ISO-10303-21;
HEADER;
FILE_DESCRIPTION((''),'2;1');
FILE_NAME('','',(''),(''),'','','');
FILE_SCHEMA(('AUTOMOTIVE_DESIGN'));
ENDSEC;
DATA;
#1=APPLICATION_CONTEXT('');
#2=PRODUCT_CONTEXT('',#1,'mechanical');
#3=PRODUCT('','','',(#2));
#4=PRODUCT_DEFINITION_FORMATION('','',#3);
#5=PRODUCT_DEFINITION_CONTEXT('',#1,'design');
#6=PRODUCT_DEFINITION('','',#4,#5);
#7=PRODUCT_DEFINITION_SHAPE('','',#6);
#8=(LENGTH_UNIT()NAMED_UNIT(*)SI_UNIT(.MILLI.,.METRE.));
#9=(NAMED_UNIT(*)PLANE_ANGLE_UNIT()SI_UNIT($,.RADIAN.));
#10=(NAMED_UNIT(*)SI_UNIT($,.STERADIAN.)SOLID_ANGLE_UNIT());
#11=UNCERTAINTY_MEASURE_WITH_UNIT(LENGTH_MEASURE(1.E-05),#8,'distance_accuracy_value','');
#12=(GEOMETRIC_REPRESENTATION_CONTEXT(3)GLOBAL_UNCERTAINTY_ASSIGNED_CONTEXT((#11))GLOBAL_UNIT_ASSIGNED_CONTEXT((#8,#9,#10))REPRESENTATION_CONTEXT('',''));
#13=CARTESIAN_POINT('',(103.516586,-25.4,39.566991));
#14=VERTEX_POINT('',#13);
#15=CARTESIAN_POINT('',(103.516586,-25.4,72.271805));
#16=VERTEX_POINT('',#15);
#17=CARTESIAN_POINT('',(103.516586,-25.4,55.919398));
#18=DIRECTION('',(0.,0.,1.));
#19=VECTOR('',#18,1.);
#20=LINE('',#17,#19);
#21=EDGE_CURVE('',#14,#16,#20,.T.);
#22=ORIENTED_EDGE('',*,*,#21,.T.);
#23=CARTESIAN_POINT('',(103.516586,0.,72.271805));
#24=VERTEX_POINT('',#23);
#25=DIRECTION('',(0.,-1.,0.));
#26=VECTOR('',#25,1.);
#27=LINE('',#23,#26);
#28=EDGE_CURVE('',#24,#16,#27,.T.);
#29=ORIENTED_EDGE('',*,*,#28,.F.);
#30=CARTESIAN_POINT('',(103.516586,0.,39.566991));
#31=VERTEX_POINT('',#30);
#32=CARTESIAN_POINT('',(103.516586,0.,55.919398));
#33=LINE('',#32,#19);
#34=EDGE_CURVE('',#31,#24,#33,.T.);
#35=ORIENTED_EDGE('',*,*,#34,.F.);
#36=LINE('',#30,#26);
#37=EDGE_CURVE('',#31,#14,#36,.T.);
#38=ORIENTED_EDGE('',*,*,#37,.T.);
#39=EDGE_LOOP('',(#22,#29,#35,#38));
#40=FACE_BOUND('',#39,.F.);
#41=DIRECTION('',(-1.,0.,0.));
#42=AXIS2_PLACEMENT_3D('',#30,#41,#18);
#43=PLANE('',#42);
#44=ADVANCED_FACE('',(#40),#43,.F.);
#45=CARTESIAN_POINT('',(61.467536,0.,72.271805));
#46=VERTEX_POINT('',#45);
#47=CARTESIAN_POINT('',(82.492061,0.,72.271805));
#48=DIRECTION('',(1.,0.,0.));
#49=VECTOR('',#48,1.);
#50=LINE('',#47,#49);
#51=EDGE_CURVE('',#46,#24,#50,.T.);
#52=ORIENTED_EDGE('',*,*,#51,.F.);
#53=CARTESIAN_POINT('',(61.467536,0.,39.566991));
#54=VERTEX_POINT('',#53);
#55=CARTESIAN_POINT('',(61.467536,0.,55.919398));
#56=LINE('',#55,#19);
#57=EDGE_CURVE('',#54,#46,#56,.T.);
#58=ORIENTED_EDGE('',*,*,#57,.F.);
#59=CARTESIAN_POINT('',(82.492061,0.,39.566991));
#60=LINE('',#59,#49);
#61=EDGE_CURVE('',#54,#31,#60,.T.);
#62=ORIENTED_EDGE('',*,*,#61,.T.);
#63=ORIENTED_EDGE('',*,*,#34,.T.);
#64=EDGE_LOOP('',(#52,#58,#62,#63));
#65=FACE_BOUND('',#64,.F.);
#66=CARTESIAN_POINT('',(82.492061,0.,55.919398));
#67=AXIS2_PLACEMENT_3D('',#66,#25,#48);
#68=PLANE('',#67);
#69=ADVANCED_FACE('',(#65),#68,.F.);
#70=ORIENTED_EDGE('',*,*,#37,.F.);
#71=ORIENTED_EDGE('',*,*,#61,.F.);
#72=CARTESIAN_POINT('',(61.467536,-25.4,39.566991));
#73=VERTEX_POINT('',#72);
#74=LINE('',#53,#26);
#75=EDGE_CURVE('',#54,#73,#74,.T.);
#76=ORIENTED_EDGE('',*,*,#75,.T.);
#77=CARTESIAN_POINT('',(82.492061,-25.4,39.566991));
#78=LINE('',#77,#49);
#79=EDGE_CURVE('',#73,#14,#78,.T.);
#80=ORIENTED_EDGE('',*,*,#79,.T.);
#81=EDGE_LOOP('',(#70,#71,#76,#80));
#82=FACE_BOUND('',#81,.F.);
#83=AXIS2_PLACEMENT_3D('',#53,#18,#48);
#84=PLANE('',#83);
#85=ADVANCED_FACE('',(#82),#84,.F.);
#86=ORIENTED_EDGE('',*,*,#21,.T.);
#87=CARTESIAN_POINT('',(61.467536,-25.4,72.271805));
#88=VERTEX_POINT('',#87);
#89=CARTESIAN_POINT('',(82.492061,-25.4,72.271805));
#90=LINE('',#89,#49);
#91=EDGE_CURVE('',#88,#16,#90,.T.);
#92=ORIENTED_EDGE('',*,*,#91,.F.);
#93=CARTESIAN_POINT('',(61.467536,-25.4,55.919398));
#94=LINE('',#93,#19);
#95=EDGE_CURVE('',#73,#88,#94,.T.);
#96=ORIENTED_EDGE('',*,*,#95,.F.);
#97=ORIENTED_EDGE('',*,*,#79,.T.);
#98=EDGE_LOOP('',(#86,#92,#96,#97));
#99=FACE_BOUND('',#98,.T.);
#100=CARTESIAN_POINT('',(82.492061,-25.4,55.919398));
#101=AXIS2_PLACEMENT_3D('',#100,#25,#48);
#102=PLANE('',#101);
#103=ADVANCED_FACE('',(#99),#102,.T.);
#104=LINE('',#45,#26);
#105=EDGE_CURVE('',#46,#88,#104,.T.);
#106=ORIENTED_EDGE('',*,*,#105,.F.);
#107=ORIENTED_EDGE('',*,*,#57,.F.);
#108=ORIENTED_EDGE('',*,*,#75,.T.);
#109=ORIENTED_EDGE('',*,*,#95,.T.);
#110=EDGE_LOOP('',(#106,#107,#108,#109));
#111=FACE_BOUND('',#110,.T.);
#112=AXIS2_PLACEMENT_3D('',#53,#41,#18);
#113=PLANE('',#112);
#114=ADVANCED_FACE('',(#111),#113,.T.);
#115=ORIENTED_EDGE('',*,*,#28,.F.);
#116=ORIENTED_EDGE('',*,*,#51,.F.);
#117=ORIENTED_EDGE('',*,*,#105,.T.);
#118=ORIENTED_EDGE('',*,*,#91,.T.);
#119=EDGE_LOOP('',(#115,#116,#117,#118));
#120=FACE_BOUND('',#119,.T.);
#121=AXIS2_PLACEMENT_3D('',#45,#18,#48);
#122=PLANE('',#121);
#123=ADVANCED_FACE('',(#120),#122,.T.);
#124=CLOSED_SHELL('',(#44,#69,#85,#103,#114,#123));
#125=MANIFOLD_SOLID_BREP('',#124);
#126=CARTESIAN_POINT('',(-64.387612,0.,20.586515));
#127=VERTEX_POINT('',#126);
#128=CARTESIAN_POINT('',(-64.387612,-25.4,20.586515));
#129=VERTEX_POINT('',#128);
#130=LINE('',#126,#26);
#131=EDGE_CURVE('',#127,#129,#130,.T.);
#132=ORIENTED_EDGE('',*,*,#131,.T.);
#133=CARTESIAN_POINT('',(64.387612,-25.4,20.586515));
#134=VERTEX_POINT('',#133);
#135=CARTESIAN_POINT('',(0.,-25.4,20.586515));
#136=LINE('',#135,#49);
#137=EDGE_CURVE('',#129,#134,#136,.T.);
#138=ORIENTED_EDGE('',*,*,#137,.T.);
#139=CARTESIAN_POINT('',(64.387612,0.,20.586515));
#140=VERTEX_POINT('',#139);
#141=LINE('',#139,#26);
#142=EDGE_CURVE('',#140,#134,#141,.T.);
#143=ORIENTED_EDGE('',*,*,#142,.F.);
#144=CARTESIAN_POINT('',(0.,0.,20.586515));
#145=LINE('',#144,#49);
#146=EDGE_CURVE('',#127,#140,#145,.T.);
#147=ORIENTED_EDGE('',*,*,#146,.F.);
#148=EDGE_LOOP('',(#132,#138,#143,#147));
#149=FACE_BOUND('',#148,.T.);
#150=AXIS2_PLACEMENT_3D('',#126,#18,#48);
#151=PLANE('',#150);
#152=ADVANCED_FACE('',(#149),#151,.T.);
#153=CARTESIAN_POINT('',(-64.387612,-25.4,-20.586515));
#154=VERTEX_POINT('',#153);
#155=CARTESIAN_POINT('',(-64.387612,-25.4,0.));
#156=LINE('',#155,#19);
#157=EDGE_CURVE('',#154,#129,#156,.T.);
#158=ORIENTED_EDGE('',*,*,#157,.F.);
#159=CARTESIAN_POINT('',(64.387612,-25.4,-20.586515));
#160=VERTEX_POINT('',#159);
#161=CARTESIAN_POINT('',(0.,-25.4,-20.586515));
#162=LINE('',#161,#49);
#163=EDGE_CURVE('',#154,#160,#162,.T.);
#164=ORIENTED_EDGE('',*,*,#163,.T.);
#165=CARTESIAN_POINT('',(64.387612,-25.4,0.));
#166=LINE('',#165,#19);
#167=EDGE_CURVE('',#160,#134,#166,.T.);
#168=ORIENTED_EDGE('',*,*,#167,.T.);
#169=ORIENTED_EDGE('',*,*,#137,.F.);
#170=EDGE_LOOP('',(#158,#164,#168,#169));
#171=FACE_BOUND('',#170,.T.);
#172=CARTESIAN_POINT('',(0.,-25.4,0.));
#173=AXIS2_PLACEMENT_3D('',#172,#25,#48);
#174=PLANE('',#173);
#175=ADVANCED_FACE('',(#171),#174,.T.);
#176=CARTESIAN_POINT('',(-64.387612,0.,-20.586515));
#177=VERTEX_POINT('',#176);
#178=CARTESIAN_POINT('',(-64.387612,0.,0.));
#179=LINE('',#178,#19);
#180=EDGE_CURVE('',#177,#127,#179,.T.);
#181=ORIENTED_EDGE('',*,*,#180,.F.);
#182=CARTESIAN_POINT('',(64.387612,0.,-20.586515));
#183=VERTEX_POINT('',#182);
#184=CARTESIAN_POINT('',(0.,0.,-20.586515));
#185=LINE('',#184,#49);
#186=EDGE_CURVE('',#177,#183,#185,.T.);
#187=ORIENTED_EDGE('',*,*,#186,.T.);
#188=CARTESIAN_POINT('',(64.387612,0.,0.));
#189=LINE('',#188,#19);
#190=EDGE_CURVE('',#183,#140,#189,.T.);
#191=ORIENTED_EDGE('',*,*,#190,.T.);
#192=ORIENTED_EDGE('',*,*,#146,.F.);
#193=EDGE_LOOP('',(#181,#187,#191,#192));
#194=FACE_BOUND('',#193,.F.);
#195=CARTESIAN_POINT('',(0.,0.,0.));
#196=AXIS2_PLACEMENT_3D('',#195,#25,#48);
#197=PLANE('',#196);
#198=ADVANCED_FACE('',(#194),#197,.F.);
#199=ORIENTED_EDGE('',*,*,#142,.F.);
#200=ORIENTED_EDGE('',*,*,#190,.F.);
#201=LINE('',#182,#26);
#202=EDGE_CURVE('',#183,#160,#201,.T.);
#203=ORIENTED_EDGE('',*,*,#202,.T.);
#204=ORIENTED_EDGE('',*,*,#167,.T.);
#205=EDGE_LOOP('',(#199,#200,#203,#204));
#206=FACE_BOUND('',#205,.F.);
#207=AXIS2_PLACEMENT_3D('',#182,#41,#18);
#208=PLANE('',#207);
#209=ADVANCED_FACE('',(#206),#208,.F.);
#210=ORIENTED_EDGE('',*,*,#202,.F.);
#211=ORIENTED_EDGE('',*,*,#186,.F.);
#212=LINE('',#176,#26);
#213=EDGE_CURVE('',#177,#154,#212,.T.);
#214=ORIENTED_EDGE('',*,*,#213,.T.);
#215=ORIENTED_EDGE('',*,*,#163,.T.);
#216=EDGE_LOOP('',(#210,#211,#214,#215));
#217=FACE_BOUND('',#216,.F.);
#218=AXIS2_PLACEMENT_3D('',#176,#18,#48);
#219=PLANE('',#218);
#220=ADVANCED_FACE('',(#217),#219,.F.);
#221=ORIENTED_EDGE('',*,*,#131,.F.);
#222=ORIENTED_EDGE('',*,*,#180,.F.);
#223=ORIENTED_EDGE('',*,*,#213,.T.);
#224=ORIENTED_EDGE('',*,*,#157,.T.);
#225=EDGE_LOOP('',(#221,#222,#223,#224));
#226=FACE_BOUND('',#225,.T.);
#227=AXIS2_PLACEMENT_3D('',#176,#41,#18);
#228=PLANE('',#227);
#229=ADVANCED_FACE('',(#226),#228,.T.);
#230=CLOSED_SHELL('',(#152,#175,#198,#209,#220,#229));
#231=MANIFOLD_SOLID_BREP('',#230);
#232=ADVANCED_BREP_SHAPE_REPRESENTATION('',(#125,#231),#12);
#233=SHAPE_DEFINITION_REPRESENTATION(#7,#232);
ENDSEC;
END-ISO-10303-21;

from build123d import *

# Parameters (mm, degrees)
F0_W     = 128.775224
F0_H     = 41.17303
F0_W_2   = 42.04905
F0_H_2   = 32.704815
F1_DEPTH = 25.4


with BuildPart() as f1:
    # F0 (on Front) → F1 (new body)
    with BuildSketch(Plane.XZ):
        Rectangle(F0_W, F0_H)
        with Locations((82.492061, 55.919398)):
            Rectangle(F0_W_2, F0_H_2)
    extrude(amount=F1_DEPTH)


solid = f1.part
